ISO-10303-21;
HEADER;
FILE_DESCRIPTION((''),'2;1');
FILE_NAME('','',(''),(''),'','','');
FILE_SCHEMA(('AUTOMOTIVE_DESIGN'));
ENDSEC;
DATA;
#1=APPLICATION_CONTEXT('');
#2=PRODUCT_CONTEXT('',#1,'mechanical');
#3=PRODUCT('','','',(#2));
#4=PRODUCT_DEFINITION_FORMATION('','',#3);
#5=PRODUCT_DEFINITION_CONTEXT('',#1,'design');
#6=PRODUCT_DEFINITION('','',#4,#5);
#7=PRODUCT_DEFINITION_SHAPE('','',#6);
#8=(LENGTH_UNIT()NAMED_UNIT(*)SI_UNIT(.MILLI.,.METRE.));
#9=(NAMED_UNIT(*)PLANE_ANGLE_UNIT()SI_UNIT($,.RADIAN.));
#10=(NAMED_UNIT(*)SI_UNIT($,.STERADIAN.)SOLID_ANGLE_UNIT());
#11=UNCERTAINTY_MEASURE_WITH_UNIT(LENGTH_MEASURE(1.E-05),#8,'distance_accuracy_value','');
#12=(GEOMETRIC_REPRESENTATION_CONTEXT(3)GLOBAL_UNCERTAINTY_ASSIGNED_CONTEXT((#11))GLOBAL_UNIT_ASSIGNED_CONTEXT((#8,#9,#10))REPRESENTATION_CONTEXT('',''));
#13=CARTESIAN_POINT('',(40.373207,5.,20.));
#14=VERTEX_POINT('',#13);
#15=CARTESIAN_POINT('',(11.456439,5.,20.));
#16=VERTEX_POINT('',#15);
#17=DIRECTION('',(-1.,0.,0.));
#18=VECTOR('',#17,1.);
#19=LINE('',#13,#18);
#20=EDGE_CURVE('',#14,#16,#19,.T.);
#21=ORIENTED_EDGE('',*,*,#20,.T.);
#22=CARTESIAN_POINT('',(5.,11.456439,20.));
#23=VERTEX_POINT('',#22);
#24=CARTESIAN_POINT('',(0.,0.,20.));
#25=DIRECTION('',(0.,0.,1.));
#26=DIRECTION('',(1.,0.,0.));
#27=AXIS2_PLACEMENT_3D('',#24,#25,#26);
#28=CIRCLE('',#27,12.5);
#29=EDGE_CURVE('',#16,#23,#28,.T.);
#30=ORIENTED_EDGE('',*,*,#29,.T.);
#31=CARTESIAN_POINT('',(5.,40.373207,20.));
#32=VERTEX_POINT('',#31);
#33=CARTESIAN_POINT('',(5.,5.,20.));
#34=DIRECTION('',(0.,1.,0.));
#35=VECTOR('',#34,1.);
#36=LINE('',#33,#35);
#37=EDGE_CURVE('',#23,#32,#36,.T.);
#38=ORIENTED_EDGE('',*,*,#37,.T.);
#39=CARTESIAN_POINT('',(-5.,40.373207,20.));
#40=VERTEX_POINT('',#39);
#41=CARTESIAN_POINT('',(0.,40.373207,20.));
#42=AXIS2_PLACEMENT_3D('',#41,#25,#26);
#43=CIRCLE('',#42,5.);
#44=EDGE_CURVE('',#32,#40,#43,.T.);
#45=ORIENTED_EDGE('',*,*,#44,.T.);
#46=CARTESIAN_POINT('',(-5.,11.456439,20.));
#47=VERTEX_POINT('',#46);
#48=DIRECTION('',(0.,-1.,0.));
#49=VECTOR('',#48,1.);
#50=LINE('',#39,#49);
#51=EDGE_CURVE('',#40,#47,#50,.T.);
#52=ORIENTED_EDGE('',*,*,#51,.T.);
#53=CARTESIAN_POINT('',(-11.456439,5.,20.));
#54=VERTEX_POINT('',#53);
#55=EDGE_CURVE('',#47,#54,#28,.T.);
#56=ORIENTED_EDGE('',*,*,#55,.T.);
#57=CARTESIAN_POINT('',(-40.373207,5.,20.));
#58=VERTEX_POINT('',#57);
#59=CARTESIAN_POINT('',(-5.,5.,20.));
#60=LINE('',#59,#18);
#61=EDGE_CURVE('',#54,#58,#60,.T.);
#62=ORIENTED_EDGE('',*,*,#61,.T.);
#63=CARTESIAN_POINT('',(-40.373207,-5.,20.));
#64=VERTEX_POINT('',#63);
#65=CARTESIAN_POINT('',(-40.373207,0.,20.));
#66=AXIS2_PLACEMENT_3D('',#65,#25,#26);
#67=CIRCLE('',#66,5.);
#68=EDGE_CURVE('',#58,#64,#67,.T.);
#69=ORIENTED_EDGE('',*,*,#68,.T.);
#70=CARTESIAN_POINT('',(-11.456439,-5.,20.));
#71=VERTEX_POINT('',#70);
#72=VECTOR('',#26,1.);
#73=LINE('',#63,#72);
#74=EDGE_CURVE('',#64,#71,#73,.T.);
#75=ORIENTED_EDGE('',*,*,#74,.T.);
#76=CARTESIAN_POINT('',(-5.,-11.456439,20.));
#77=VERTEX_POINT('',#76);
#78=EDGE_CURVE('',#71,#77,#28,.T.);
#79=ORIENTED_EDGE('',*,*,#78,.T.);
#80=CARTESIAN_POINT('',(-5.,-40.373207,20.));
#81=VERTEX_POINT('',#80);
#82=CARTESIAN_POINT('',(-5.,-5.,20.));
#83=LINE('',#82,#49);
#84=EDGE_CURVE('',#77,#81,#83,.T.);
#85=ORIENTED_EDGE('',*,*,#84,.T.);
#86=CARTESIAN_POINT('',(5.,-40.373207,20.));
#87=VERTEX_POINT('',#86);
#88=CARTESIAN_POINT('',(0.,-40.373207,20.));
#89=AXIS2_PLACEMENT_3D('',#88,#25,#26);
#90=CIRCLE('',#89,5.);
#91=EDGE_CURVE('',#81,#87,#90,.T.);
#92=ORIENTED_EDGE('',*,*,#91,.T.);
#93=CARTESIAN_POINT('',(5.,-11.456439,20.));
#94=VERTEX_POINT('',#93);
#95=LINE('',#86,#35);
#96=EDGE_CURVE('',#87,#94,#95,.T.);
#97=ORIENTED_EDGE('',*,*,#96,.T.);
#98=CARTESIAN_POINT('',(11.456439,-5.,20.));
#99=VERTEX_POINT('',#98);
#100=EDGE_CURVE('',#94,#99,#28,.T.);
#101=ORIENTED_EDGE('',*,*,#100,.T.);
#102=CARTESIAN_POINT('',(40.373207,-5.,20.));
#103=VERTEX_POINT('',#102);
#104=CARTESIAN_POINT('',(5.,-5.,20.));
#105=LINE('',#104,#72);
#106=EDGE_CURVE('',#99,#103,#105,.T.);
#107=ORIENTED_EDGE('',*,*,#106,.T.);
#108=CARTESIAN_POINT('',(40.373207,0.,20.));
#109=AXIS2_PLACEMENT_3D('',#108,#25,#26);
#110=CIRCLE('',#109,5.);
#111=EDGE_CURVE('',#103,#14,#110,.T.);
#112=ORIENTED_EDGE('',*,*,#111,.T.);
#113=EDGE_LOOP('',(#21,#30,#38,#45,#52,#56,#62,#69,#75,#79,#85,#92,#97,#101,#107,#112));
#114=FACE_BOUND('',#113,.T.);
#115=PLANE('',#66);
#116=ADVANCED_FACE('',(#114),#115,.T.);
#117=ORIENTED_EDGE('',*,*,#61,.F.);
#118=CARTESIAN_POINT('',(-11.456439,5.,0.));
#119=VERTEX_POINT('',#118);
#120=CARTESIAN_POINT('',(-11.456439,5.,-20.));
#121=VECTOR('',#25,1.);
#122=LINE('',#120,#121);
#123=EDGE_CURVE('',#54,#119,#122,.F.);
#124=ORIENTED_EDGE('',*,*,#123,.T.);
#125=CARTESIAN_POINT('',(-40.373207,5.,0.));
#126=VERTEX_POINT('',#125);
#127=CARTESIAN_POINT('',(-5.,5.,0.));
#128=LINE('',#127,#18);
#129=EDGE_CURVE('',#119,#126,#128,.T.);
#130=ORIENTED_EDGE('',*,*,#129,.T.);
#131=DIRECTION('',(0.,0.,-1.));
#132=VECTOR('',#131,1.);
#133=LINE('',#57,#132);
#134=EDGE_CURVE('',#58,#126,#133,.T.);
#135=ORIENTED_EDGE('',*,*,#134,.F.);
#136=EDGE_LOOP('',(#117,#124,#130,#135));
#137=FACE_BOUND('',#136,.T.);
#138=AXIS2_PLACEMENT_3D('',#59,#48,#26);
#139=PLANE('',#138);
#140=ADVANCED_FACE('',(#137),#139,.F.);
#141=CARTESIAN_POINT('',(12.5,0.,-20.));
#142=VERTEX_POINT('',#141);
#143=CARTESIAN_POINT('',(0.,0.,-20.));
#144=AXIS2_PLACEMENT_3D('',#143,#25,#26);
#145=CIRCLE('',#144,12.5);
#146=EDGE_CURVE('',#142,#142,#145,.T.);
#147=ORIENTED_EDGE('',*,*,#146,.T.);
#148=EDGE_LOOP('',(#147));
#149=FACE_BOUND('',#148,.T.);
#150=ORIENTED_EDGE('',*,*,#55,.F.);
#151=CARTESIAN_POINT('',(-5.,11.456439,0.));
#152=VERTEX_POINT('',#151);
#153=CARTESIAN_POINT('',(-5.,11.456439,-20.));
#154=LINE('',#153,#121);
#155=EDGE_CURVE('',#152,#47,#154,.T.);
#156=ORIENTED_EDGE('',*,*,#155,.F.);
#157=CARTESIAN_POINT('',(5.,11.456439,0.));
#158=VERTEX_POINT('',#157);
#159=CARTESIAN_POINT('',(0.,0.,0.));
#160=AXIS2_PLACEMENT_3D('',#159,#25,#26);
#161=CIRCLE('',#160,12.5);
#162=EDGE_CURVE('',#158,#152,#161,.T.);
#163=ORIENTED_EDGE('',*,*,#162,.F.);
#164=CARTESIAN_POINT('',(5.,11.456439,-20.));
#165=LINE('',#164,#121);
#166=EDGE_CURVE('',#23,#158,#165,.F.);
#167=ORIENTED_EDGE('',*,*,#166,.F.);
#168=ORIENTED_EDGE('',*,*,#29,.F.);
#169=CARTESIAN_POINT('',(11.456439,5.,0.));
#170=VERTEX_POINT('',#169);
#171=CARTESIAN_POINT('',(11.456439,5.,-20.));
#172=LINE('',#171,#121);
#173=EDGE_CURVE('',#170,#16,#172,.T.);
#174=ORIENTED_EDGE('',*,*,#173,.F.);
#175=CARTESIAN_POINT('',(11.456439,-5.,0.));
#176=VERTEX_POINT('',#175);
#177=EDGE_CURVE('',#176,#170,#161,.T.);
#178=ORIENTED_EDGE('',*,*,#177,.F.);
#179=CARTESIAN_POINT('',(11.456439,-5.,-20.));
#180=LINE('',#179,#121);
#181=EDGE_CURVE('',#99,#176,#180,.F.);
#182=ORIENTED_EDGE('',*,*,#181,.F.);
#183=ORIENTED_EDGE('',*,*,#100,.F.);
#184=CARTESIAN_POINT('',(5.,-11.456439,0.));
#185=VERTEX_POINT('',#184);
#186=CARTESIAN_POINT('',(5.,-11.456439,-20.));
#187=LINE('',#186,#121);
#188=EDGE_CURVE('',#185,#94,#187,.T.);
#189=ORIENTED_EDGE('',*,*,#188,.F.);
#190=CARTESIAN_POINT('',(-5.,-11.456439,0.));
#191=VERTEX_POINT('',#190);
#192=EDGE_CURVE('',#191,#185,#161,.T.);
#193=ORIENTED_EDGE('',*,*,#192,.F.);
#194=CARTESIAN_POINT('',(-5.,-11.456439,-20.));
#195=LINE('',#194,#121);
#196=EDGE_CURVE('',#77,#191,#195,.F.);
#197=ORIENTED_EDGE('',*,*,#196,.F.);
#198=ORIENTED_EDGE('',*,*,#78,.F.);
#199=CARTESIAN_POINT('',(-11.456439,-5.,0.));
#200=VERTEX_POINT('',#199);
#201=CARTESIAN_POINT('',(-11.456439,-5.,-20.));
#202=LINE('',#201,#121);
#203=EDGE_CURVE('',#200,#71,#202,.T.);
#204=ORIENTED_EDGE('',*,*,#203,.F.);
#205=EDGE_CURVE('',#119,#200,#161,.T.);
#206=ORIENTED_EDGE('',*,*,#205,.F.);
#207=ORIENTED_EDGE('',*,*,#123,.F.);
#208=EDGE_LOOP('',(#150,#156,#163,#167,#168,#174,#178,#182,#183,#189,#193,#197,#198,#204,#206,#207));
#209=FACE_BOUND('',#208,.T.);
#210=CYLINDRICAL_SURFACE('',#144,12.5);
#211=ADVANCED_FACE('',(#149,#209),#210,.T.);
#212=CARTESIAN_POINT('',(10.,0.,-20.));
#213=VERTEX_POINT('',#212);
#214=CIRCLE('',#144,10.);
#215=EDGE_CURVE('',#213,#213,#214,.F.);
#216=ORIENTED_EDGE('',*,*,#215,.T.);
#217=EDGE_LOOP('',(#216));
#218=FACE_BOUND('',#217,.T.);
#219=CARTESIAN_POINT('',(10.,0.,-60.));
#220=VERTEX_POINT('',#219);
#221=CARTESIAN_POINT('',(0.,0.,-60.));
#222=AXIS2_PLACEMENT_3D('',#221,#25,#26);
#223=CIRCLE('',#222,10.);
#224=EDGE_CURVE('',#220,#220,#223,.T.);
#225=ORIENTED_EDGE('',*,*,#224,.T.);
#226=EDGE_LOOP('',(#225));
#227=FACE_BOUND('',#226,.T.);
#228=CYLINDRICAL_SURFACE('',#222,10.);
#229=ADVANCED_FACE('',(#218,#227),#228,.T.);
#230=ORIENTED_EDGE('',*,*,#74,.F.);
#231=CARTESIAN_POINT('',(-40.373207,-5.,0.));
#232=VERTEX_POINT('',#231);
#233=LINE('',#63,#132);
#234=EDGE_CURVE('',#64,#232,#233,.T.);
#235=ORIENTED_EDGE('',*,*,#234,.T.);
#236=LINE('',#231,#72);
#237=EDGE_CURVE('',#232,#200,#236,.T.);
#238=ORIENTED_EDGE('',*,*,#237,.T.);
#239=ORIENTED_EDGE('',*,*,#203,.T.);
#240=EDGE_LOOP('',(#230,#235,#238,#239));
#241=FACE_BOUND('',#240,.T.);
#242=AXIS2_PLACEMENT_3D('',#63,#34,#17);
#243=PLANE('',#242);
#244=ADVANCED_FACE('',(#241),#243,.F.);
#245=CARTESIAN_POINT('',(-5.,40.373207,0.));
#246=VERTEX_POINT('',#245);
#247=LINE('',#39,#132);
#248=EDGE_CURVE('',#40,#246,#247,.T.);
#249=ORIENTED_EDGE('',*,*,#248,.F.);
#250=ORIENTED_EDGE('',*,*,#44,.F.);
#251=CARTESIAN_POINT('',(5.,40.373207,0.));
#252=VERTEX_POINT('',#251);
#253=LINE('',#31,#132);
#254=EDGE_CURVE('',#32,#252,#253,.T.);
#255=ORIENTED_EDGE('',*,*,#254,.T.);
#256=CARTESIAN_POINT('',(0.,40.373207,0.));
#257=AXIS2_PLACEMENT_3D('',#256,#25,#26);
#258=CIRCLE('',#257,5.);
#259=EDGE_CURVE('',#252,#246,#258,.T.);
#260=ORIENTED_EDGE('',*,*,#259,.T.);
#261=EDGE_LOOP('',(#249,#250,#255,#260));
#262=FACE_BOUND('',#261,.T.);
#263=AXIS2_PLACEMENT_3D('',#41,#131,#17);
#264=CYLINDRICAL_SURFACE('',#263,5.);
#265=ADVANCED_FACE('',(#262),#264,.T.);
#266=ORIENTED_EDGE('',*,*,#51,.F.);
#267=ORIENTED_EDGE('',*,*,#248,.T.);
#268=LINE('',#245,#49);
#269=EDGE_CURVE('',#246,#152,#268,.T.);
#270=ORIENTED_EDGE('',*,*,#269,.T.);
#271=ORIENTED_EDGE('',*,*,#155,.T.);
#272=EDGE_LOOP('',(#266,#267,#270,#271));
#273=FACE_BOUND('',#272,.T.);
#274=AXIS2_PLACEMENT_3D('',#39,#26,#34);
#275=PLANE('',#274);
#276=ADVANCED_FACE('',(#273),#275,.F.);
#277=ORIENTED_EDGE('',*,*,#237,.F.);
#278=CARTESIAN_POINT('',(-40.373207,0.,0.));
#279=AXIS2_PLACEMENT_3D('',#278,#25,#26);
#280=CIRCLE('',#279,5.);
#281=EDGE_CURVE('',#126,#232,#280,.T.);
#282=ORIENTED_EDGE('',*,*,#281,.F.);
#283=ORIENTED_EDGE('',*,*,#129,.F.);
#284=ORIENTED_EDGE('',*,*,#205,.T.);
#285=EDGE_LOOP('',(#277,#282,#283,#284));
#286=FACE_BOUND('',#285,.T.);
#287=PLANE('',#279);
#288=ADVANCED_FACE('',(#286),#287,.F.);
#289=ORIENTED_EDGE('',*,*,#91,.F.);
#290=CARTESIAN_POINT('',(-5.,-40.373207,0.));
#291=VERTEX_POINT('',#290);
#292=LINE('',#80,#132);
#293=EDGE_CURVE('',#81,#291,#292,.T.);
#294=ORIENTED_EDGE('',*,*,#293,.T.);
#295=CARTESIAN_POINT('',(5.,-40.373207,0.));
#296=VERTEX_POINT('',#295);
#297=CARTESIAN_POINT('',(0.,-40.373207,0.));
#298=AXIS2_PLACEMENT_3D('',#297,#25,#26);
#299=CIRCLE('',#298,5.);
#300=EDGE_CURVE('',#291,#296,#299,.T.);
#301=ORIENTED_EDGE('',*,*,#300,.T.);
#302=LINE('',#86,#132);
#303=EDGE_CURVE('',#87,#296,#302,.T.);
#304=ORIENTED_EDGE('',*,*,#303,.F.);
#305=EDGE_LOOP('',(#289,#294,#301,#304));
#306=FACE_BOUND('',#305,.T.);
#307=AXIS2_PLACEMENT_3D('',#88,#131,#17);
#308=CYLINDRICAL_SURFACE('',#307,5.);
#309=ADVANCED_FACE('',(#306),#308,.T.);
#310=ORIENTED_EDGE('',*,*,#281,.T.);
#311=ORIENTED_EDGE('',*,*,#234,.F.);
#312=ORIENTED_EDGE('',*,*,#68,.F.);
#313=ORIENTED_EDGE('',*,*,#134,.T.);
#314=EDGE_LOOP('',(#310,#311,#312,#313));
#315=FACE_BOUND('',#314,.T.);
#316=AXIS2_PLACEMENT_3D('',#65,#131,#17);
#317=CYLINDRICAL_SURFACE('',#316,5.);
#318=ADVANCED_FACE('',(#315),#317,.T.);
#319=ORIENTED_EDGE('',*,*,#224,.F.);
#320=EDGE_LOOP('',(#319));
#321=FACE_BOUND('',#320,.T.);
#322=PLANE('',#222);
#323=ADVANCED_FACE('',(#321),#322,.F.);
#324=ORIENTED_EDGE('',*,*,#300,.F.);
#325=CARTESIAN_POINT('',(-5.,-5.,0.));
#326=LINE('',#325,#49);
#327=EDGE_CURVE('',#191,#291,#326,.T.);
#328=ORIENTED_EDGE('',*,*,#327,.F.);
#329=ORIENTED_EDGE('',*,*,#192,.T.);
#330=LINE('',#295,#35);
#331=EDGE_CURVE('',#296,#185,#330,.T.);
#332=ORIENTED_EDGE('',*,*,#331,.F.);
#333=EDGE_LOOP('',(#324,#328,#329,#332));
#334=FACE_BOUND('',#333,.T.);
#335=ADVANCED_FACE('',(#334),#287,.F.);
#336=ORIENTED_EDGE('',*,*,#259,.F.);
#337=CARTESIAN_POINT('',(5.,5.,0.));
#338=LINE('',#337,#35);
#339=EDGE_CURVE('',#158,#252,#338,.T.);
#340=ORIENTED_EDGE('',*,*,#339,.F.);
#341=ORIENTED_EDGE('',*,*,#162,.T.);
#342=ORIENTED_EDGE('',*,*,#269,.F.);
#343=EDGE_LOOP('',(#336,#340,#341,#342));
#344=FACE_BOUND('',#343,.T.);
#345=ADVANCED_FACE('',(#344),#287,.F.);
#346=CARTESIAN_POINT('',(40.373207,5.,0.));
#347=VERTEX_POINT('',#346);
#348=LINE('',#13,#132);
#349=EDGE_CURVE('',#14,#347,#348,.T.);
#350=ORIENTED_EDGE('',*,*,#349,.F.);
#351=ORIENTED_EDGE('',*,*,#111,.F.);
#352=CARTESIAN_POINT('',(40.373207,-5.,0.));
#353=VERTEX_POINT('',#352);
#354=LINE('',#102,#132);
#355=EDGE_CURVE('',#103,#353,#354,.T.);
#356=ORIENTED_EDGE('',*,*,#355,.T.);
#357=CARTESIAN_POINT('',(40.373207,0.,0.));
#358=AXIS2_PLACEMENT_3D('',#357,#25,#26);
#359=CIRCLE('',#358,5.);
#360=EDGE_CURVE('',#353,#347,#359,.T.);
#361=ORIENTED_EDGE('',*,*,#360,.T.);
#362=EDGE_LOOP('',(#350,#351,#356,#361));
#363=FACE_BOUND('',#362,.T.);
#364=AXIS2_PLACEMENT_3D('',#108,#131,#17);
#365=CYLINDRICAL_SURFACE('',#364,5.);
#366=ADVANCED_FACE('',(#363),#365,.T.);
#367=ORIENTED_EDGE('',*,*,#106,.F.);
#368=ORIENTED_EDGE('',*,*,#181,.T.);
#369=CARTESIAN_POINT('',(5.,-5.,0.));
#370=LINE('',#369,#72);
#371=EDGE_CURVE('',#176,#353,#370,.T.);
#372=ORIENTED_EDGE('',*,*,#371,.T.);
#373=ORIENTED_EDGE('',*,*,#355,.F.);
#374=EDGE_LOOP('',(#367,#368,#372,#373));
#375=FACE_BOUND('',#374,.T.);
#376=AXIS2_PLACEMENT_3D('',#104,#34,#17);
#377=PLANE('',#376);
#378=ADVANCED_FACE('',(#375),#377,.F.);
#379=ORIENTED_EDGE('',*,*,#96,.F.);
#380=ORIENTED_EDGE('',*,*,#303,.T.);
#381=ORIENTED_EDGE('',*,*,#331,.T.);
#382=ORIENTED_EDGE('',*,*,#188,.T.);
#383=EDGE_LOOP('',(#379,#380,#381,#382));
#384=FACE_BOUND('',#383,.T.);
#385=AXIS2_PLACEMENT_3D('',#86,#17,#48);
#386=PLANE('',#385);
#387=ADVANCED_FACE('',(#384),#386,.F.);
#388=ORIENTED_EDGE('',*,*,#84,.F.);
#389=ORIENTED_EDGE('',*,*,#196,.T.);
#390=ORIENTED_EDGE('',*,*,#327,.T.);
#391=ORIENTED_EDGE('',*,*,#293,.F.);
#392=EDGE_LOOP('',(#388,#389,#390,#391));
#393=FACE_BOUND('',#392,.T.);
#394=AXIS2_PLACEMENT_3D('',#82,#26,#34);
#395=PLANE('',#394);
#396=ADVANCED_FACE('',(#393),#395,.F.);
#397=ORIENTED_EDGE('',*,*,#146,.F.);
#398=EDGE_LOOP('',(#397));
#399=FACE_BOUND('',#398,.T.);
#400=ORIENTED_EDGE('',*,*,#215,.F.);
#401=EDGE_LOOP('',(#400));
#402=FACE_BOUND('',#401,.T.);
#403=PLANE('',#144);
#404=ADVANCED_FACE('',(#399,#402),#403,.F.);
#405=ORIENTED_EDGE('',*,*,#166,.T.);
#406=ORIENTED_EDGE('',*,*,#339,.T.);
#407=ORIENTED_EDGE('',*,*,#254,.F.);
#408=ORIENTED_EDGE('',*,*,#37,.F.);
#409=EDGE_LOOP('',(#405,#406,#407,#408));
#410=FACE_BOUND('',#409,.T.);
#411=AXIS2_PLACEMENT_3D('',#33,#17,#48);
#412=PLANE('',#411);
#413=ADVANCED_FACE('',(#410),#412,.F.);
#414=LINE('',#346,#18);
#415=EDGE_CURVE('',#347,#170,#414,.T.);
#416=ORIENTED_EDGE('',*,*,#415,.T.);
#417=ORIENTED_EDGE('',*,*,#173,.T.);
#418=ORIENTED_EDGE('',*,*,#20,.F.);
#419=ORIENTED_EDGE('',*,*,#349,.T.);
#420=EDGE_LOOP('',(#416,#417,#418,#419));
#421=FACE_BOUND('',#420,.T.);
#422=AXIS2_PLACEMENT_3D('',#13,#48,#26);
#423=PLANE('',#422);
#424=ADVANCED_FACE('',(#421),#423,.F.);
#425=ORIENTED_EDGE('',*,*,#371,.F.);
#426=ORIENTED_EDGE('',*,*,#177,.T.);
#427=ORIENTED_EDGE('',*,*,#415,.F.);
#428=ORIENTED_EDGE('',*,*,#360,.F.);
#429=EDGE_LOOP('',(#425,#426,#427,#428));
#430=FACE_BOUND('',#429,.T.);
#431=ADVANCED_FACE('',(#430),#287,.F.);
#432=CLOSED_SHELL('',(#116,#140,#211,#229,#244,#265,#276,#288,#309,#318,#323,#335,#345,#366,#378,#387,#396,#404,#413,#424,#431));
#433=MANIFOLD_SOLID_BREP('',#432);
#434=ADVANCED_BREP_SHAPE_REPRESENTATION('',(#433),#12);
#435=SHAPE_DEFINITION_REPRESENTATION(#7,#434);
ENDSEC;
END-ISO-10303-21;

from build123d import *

# Parameters (mm, degrees)
BOSS_EXTRUDE1_DEPTH = 20
SKETCH2_R           = 10
BOSS_EXTRUDE2_DEPTH = 80
SKETCH3_R           = 12.5
BOSS_EXTRUDE3_DEPTH = 40


with BuildPart() as part:
    # Sketch1 → Boss-Extrude1 (new body)
    with BuildSketch(Plane.XY):
        with BuildLine():
            Line((-40.373207368, -5), (-5, -5))
            Line((-5, -5), (-5, -40.373207368))
            ThreePointArc((-5, -40.373207368), (0, -45.373207368), (5, -40.373207368))
            Line((5, -40.373207368), (5, -5))
            Line((5, -5), (40.373207368, -5))
            ThreePointArc((40.373207368, -5), (45.373207368, 0), (40.373207368, 5))
            Line((40.373207368, 5), (5, 5))
            Line((5, 5), (5, 40.373207368))
            ThreePointArc((5, 40.373207368), (0, 45.373207368), (-5, 40.373207368))
            Line((-5, 40.373207368), (-5, 5))
            Line((-5, 5), (-40.373207368, 5))
            ThreePointArc((-40.373207368, 5), (-45.373207368, 0), (-40.373207368, -5))
        make_face()
    extrude(amount=BOSS_EXTRUDE1_DEPTH)

    # Sketch2 → Boss-Extrude2 (add)
    with BuildSketch(Plane.XY.offset(20)):
        Circle(SKETCH2_R)
    extrude(amount=-BOSS_EXTRUDE2_DEPTH)

    # Sketch3 → Boss-Extrude3 (add)
    with BuildSketch(Plane.XY.offset(20)):
        Circle(SKETCH3_R)
    extrude(amount=-BOSS_EXTRUDE3_DEPTH)


solid = part.part
